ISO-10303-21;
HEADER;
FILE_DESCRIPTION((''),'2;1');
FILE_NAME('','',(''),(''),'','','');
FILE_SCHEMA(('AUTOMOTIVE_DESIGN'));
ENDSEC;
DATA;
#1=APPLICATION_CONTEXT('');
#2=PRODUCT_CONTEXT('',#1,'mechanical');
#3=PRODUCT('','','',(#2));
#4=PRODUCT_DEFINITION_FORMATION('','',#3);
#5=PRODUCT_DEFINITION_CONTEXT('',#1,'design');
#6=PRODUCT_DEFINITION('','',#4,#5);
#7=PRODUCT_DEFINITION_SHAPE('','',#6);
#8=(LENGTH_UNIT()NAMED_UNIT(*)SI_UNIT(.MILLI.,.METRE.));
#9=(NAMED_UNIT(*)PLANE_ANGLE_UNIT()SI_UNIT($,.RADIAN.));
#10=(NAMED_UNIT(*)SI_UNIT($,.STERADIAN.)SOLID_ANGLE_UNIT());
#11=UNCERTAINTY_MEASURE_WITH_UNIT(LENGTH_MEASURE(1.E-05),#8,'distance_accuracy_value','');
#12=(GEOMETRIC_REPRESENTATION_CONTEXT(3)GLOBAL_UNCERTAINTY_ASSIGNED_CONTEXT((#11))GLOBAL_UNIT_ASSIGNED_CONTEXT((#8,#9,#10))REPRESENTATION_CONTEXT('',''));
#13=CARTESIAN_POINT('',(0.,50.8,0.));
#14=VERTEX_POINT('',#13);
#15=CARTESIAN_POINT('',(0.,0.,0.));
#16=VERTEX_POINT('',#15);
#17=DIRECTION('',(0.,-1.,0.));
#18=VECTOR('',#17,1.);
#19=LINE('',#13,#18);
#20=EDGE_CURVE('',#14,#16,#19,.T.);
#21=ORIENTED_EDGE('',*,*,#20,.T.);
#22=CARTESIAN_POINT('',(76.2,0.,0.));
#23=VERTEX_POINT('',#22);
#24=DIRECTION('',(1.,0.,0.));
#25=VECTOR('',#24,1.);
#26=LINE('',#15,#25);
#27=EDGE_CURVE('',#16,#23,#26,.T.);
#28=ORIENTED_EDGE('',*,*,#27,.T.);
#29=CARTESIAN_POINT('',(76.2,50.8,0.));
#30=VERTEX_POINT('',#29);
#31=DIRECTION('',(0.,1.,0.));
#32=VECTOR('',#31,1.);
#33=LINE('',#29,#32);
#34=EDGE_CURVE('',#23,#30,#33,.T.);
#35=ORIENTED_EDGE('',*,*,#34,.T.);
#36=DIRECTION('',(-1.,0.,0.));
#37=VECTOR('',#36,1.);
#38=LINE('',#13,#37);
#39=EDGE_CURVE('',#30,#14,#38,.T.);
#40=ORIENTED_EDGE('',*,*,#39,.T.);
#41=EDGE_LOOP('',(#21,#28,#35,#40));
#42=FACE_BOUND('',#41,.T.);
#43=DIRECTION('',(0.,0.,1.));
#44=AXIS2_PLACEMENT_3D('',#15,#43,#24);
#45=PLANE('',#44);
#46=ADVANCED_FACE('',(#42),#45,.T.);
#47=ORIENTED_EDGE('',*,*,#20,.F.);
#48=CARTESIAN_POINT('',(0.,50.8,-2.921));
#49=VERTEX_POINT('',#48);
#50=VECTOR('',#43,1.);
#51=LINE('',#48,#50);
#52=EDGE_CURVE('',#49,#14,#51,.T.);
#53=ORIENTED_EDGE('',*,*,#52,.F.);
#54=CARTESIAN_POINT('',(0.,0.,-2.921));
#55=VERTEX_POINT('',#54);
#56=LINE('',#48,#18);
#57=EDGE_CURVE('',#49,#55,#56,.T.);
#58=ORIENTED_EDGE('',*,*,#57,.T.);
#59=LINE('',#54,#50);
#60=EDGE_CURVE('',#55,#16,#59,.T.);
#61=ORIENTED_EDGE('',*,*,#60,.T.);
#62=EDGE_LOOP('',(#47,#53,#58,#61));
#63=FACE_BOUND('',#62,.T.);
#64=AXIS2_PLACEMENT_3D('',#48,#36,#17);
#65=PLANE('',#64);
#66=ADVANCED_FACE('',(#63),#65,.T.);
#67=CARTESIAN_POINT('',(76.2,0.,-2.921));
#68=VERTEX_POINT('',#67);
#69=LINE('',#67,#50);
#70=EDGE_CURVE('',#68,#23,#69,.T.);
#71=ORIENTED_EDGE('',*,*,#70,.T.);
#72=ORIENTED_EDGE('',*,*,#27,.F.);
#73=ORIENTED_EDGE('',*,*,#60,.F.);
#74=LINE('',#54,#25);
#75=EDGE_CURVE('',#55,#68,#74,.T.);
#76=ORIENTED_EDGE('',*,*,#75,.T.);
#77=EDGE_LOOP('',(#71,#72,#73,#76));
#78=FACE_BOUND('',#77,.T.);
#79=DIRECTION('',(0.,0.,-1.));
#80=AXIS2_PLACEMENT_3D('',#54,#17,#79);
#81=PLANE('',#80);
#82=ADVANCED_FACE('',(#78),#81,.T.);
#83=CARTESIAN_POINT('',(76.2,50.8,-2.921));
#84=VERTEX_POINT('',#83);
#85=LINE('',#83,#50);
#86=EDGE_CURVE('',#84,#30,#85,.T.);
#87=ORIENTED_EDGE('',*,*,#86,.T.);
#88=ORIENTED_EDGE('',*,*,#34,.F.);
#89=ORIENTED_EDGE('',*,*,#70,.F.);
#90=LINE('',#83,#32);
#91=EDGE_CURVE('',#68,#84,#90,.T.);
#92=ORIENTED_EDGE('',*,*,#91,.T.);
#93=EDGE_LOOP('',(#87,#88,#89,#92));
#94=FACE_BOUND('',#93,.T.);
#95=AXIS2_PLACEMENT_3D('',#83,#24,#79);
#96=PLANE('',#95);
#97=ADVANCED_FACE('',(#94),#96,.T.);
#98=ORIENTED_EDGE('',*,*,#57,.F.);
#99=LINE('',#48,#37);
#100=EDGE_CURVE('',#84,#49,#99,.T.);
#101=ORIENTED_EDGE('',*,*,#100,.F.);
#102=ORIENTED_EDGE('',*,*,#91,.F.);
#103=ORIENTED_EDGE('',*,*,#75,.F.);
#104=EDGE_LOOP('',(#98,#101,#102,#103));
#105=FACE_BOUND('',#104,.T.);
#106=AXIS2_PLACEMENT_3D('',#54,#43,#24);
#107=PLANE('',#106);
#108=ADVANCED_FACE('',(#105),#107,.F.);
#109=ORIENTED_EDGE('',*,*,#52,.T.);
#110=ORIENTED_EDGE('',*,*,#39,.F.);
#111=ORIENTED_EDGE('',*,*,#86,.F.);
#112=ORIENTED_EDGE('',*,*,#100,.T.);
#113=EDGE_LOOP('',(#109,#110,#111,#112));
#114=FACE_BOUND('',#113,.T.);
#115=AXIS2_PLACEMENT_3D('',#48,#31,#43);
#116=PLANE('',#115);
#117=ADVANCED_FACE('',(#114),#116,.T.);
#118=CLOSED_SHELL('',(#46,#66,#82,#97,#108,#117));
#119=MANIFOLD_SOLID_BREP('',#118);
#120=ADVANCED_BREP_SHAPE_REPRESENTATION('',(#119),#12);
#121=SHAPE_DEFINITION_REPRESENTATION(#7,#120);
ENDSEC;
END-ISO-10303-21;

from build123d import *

# Parameters (mm, degrees)
SKETCH1_W           = 76.2
SKETCH1_H           = 50.8
BOSS_EXTRUDE1_DEPTH = 2.921


with BuildPart() as part:
    # Sketch1 → Boss-Extrude1 (new body)
    with BuildSketch(Plane.XY):
        with Locations((38.1, 25.4)):
            Rectangle(SKETCH1_W, SKETCH1_H)
    extrude(amount=-BOSS_EXTRUDE1_DEPTH)


solid = part.part
